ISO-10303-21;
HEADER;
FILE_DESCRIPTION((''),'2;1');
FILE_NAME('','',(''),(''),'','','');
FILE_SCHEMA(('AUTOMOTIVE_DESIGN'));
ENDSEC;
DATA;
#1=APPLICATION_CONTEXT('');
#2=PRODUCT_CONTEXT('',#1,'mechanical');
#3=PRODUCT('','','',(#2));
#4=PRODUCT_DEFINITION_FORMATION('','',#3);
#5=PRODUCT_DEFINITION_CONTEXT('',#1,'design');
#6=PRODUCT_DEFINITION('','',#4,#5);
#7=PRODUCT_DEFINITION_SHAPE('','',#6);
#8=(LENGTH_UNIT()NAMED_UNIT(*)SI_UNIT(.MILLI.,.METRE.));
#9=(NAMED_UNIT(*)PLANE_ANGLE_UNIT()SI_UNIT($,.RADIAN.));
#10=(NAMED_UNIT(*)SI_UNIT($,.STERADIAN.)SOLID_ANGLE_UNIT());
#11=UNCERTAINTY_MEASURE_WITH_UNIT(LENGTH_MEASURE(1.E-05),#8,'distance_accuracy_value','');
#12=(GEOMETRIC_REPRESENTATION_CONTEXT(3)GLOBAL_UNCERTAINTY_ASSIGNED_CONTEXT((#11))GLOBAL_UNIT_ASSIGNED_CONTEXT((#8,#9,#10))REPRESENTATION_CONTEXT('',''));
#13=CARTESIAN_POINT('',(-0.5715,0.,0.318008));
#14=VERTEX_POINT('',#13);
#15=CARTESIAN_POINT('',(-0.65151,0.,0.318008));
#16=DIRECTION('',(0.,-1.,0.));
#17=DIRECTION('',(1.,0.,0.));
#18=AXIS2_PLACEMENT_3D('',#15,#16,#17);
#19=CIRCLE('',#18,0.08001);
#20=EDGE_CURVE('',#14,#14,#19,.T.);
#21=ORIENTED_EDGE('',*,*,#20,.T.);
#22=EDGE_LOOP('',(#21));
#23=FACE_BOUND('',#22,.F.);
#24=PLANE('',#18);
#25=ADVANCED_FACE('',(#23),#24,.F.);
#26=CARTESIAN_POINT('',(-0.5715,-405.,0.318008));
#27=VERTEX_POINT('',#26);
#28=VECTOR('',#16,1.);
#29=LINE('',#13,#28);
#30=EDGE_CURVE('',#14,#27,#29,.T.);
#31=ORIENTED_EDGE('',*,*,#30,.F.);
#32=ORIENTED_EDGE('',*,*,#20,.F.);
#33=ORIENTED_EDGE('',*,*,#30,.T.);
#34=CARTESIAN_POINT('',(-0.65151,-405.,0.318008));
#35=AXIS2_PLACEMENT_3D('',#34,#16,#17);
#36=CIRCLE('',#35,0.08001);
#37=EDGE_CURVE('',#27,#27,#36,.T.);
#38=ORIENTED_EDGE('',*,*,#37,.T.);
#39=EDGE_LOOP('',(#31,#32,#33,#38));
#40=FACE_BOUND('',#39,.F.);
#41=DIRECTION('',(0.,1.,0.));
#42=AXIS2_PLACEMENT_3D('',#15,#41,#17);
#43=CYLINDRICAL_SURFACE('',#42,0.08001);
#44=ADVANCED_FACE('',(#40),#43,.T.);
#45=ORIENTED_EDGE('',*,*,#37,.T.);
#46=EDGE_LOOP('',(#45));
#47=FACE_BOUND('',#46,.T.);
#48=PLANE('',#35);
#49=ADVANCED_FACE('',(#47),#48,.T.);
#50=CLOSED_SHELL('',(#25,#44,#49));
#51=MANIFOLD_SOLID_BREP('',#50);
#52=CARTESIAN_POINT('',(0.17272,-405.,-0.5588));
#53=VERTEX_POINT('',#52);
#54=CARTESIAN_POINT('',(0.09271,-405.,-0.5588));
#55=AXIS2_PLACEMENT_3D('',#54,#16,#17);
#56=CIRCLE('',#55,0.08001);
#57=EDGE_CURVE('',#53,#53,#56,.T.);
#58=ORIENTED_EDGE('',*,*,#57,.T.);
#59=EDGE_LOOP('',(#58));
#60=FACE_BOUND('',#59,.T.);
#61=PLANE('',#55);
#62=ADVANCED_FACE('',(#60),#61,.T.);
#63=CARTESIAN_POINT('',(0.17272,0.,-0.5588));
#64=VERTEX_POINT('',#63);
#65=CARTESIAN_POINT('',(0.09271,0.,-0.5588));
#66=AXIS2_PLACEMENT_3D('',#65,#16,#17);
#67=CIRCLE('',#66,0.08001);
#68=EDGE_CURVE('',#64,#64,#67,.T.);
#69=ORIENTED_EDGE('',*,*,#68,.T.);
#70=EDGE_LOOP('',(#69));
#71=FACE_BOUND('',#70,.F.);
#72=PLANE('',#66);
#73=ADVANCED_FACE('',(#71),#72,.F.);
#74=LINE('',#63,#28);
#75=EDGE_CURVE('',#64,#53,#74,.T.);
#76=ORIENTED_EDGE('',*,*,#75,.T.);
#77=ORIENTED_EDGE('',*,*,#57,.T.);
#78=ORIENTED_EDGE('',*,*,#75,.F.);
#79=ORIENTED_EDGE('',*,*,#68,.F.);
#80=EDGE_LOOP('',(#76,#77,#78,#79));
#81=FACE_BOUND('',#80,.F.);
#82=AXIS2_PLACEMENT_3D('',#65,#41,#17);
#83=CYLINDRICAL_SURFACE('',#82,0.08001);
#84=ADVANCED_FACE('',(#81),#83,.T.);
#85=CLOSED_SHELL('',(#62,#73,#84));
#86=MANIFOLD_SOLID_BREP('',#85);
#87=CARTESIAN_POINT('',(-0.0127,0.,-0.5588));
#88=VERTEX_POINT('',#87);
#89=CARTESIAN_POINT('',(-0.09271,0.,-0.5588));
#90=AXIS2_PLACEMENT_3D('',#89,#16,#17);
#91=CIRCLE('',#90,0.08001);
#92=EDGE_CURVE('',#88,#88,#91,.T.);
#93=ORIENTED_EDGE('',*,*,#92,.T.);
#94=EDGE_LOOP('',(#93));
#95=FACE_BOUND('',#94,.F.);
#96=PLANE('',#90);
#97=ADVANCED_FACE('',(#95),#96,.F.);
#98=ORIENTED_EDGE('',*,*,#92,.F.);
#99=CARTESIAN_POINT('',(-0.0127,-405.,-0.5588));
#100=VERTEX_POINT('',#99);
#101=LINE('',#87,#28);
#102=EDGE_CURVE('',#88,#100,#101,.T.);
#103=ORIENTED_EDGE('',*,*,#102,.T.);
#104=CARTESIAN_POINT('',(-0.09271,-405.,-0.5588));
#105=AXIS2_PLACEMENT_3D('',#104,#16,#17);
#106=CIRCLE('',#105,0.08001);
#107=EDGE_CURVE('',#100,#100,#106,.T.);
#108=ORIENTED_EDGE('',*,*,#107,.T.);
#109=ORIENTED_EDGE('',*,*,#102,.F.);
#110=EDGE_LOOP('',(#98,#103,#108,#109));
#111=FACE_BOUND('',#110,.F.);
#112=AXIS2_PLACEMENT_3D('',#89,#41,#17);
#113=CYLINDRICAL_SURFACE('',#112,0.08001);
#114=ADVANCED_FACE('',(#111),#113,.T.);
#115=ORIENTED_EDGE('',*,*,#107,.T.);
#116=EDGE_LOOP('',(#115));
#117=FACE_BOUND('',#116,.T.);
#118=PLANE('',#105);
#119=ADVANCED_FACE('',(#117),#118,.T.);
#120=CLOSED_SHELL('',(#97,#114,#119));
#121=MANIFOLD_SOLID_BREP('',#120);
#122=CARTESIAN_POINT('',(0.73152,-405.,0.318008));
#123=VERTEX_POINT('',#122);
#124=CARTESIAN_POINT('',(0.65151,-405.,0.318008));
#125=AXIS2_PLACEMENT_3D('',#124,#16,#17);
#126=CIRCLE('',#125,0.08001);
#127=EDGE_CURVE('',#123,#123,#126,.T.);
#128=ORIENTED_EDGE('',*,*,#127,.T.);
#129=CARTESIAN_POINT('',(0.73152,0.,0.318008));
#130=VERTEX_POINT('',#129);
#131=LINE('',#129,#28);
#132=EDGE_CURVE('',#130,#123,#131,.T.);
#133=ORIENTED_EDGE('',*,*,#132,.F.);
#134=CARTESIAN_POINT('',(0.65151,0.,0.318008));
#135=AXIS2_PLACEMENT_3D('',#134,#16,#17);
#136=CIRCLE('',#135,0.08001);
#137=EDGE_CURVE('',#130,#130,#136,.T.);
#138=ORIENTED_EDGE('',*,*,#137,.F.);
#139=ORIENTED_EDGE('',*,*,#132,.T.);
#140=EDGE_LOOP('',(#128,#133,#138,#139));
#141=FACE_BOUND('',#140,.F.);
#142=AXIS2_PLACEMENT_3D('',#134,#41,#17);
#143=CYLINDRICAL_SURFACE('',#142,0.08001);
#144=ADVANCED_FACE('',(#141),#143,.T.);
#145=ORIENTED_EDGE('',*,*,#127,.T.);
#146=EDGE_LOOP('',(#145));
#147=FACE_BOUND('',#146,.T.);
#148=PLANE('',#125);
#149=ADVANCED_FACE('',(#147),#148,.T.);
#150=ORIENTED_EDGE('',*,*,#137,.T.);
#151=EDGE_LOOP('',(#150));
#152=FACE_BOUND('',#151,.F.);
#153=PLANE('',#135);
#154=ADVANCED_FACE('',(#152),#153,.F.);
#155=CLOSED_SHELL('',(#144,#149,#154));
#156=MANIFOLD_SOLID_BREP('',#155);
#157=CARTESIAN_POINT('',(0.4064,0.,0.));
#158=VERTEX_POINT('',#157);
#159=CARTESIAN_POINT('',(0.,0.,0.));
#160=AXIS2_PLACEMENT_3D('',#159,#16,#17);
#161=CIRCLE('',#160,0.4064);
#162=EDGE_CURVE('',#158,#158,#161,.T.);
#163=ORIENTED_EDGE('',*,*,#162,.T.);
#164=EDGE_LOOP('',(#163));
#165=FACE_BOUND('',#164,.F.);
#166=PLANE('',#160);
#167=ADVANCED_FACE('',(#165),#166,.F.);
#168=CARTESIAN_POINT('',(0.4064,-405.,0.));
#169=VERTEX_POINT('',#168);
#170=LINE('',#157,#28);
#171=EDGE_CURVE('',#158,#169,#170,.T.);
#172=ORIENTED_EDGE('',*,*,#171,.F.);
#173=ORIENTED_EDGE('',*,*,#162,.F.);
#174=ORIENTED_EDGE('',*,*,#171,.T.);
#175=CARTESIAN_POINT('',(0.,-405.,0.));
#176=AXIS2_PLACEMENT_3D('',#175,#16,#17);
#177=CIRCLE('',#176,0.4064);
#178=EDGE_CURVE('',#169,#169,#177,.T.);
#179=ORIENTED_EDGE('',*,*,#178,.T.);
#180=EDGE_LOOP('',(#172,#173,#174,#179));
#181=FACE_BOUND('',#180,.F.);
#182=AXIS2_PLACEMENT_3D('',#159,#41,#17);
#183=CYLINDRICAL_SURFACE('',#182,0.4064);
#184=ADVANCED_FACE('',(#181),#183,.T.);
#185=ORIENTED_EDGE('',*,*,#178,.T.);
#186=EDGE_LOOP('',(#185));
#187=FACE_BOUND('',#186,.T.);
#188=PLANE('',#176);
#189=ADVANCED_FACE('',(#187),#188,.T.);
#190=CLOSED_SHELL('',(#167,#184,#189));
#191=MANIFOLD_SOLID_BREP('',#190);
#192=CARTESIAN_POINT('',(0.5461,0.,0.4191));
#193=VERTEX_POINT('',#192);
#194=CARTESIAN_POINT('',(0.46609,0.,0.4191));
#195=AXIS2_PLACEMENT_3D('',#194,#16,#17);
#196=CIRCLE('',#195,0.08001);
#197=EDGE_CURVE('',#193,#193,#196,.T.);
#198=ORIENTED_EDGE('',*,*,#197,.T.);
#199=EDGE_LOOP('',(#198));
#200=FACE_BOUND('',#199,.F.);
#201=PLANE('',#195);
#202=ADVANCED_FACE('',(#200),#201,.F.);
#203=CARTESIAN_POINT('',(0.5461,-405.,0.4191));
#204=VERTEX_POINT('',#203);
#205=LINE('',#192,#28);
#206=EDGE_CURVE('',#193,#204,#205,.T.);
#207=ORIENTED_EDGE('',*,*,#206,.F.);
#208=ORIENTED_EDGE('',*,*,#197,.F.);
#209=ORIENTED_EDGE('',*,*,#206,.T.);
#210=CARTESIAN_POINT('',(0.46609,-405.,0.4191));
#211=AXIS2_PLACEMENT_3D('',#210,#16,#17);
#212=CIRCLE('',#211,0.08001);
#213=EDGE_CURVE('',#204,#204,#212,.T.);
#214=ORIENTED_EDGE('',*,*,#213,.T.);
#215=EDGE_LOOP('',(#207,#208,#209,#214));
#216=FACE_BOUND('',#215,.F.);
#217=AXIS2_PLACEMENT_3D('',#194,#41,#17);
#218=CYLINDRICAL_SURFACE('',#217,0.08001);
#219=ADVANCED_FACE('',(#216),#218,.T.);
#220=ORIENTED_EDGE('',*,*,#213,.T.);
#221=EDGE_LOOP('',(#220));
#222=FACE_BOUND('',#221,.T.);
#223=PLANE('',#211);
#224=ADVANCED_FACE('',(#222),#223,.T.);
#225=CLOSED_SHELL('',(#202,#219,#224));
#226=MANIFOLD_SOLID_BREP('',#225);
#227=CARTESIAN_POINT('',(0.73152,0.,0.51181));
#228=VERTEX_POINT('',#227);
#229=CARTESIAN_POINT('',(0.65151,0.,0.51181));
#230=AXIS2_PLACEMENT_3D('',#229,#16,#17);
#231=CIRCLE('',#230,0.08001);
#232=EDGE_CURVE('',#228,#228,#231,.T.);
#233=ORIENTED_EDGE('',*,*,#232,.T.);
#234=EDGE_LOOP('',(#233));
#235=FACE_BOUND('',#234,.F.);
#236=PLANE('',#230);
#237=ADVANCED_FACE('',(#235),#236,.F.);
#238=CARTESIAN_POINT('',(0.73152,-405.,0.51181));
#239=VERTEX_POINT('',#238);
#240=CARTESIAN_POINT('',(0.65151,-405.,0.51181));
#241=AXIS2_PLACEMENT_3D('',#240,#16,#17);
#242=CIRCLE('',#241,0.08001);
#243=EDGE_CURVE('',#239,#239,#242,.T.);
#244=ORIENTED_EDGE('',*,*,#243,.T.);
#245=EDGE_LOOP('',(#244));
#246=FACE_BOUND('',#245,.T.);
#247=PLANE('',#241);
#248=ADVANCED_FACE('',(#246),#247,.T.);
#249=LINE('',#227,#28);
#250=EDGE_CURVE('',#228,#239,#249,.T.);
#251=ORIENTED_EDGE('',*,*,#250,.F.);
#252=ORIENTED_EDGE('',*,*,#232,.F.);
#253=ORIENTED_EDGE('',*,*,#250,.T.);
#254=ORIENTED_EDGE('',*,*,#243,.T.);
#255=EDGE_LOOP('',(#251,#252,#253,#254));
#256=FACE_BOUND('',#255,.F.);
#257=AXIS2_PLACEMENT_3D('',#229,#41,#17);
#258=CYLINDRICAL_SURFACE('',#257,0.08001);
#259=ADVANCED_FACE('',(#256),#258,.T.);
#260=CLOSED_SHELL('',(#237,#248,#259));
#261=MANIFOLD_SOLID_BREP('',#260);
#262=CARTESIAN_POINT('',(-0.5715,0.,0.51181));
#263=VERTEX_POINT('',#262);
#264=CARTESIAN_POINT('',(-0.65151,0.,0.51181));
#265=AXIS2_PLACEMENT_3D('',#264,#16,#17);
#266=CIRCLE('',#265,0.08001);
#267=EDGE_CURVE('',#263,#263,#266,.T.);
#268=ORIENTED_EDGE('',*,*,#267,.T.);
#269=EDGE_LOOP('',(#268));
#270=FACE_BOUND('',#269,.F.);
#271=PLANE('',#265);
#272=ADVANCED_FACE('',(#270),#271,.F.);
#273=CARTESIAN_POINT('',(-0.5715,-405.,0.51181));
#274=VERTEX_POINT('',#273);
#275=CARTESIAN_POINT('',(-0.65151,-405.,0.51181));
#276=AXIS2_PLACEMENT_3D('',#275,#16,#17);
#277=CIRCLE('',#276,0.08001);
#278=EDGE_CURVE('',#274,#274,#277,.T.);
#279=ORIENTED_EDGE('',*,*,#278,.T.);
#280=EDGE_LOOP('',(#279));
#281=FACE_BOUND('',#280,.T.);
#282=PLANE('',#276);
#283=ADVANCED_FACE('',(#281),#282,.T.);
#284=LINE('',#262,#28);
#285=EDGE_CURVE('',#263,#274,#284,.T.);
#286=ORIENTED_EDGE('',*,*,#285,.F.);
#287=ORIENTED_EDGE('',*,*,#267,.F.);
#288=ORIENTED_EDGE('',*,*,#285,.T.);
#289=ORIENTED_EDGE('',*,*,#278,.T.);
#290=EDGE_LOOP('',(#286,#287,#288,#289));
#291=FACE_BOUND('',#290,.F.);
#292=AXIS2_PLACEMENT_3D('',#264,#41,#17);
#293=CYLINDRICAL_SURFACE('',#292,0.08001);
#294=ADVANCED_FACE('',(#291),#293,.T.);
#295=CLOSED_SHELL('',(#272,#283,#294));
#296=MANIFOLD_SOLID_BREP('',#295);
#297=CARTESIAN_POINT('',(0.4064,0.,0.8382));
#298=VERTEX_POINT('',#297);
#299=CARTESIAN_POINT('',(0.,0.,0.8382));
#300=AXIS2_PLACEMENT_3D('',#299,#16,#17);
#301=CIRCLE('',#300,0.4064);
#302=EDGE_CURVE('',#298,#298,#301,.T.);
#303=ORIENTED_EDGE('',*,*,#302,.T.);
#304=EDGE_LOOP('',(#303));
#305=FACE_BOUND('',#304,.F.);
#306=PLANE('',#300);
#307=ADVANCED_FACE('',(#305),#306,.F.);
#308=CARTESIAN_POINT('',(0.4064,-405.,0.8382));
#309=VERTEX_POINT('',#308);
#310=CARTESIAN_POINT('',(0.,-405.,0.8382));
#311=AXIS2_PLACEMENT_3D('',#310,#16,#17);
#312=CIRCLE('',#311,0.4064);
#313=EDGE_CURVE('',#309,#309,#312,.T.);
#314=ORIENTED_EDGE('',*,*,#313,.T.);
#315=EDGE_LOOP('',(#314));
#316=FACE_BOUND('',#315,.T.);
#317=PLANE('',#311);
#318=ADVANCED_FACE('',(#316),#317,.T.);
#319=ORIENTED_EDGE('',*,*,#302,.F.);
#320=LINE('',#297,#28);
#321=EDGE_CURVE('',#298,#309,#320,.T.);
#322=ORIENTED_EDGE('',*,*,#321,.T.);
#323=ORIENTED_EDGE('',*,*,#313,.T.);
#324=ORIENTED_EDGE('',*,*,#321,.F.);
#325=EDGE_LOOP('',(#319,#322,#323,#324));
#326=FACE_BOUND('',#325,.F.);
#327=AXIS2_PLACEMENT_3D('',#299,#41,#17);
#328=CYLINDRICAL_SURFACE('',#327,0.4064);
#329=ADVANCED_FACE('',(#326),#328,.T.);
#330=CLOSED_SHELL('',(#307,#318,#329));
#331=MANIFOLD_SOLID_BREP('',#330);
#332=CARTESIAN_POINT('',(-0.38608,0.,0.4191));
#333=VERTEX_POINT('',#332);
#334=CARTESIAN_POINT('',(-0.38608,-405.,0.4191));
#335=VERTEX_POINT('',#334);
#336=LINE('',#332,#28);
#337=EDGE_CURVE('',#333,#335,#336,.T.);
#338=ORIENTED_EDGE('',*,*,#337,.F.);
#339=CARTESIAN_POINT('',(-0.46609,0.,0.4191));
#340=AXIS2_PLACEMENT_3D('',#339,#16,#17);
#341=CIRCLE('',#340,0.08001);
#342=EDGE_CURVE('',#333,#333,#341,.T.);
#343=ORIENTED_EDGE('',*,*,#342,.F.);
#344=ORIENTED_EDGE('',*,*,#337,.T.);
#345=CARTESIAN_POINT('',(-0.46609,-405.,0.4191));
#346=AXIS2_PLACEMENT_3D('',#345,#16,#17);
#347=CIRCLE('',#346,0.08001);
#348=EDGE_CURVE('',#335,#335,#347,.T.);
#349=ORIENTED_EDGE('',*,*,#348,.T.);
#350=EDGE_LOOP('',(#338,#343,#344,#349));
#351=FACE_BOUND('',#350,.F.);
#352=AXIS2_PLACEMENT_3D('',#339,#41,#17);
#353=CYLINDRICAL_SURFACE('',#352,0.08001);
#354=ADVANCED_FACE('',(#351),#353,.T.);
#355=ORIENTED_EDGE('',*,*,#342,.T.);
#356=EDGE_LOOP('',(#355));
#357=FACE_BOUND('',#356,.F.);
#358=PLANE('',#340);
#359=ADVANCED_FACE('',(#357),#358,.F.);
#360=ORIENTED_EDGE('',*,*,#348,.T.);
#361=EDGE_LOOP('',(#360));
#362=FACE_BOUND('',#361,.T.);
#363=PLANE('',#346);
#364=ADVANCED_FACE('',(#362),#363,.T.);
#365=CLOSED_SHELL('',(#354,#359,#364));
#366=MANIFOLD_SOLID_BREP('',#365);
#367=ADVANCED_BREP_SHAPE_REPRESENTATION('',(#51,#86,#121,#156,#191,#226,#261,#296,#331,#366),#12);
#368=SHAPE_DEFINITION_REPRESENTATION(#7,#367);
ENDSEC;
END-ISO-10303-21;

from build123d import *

# Parameters (mm, degrees)
F0_R     = 0.4064
F0_R_2   = 0.08001
F1_DEPTH = 405


with BuildPart() as f1:
    # F0 (on Front) → F1 (new body)
    with BuildSketch(Plane.XZ):
        with Locations((0, 0.8382)):
            Circle(F0_R)
        Circle(F0_R)
        with Locations((-0.46609, 0.4191)):
            Circle(F0_R_2)
        with Locations((-0.65151, 0.51181)):
            Circle(F0_R_2)
        with Locations((-0.65151, 0.318008)):
            Circle(F0_R_2)
        with Locations((0.46609, 0.4191)):
            Circle(F0_R_2)
        with Locations((0.65151, 0.51181)):
            Circle(F0_R_2)
        with Locations((0.65151, 0.318008)):
            Circle(F0_R_2)
        with Locations((0.09271, -0.5588)):
            Circle(F0_R_2)
        with Locations((-0.09271, -0.5588)):
            Circle(F0_R_2)
    extrude(amount=F1_DEPTH)


solid = f1.part
